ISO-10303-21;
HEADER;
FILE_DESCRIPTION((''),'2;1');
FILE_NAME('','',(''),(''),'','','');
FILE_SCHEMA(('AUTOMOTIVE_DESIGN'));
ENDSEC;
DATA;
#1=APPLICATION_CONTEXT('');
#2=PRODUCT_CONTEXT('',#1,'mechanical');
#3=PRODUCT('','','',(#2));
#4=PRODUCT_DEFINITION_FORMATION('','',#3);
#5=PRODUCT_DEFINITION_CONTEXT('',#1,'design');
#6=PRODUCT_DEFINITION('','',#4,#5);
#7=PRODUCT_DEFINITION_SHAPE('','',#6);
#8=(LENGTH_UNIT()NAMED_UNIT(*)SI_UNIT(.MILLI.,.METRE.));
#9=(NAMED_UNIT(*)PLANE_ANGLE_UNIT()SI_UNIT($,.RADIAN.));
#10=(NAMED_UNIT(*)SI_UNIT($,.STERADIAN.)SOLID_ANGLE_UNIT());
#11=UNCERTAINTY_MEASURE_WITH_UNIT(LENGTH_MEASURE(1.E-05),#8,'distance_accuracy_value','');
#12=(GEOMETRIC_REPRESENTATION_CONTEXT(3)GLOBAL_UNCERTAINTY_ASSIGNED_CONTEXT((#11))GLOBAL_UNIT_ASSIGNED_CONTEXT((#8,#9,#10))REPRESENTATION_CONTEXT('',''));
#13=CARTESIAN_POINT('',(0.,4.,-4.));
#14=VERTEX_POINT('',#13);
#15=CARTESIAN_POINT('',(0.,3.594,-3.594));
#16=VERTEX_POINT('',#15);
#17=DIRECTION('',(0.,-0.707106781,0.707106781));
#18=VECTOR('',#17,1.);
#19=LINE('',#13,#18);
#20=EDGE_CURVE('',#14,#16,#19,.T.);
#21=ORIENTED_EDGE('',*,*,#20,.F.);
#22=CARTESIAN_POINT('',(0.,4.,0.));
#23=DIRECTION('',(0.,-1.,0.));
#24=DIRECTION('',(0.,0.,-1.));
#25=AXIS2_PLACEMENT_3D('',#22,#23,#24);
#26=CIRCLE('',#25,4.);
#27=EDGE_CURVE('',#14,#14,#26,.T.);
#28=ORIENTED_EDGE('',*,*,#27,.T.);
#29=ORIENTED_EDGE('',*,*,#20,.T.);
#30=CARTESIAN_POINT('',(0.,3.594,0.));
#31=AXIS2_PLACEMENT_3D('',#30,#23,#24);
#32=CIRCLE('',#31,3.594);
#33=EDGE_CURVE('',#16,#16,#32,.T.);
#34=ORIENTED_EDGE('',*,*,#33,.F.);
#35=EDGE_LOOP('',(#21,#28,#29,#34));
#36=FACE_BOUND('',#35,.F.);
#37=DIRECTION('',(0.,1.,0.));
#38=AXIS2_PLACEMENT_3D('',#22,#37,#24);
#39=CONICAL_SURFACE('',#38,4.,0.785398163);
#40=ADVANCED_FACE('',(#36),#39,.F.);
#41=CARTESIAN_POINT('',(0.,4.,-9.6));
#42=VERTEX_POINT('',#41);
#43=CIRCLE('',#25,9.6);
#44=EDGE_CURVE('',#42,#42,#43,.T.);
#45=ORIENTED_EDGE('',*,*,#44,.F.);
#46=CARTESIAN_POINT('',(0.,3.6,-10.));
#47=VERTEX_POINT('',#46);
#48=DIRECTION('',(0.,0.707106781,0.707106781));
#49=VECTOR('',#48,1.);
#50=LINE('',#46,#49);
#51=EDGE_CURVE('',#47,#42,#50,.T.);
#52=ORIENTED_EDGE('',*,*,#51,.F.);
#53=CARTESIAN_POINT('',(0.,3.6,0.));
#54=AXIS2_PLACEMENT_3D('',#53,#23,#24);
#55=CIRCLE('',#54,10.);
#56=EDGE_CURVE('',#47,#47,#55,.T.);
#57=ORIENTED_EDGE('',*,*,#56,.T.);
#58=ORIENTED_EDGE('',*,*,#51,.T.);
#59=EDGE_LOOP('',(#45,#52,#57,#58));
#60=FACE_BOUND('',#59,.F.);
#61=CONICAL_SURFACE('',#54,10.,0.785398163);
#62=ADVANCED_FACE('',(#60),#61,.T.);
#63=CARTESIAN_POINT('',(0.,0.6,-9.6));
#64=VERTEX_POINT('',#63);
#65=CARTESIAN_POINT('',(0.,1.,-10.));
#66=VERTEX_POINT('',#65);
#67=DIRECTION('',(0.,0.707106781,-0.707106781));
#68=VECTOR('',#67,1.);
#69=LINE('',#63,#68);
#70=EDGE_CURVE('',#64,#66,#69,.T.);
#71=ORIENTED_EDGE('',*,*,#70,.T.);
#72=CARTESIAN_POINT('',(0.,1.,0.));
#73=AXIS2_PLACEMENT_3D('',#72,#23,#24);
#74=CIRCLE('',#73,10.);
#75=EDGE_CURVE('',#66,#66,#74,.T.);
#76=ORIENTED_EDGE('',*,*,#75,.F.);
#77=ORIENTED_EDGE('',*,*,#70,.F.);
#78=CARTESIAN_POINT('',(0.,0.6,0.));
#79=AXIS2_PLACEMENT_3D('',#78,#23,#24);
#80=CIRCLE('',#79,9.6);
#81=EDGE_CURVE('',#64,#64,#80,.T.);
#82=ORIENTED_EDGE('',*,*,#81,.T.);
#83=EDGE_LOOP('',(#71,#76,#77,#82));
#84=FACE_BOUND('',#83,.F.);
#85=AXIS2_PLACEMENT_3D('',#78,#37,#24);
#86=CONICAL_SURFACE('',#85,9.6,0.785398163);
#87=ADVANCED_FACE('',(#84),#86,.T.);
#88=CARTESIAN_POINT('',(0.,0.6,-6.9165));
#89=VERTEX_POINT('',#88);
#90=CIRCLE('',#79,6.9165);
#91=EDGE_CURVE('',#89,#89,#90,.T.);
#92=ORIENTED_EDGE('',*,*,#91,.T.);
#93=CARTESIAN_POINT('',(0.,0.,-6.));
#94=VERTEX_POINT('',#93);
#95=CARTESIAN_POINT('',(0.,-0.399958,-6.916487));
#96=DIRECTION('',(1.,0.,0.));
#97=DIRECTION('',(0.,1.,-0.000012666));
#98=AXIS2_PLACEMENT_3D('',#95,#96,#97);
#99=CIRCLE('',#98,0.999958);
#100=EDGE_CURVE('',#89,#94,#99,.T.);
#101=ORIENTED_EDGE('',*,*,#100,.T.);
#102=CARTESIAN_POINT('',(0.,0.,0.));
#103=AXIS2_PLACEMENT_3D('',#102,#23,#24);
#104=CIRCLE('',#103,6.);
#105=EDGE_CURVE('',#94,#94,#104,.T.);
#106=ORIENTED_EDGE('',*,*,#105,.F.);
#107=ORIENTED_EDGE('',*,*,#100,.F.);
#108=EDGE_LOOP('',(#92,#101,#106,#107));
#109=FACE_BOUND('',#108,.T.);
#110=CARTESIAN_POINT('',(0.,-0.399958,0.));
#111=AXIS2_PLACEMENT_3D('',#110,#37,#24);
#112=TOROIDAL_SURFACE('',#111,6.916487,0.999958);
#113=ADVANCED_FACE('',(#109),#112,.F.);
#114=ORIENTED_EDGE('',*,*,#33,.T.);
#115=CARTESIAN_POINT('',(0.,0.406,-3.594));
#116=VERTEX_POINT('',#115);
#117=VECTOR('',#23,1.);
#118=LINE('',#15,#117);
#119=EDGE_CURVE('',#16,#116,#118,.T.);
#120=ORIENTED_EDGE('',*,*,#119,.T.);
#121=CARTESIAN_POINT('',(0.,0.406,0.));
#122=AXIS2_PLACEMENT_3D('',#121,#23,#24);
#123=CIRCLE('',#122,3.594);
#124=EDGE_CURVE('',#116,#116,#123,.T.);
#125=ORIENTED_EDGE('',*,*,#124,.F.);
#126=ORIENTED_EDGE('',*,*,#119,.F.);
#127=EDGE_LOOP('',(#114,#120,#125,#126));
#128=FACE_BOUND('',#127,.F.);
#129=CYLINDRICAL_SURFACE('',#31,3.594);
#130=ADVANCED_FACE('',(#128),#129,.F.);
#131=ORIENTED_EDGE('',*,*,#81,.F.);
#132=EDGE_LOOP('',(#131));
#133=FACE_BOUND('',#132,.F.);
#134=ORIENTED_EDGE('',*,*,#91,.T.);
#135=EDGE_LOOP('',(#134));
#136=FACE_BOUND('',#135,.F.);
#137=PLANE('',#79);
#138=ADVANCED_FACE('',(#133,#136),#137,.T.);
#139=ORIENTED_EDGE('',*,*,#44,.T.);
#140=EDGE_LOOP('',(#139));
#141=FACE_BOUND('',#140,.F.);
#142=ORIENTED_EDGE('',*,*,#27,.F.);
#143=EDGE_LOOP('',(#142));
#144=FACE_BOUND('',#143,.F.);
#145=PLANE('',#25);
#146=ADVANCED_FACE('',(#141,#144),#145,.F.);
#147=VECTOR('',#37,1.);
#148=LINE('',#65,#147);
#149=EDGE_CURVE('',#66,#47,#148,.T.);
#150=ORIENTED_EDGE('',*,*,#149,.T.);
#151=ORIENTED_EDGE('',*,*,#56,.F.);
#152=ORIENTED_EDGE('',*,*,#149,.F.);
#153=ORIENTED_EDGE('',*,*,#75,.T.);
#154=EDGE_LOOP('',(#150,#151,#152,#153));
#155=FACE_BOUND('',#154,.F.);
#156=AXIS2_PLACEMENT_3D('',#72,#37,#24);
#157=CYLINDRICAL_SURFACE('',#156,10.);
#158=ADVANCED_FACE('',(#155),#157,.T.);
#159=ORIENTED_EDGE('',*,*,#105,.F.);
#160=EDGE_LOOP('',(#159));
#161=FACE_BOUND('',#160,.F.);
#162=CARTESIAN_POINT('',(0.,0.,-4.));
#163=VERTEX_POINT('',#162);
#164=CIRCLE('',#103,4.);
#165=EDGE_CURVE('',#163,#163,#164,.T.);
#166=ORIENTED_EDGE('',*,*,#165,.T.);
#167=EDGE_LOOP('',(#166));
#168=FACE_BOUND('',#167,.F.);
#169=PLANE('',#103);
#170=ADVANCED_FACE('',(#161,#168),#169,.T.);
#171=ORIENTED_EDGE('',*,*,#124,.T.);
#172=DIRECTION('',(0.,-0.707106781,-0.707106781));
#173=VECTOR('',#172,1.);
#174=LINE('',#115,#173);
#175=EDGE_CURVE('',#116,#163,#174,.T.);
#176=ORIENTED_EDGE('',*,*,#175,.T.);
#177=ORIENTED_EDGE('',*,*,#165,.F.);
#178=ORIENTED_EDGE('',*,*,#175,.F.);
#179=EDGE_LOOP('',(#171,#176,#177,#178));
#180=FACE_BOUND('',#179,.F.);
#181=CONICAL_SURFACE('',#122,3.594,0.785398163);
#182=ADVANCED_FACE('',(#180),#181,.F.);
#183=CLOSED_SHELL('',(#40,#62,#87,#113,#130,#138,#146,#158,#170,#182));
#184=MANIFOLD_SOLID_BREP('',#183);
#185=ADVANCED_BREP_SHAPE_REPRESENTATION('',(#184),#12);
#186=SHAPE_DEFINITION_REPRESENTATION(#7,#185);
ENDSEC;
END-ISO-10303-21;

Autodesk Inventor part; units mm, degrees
sketch "Sketch_1" plane through (0, 0, 0) normal (1, 0, 0) x (0, 1, 0)
  line L0 (0, 0) -> (4, 0)
  line L1 (0.406, -3.594) -> (0, -4)
  line L2 (0, -4) -> (0, -6)
  arc A0 (0.6, -6.9165) -> (0, -6) centre (-0.4, -6.9165) ccw
  line L3 (0.6, -6.9165) -> (0.6, -9.6)
  line L4 (0.6, -9.6) -> (1, -10)
  line L5 (1, -10) -> (3.6, -10)
  line L6 (3.6, -10) -> (4, -9.6)
  line L7 (4, -9.6) -> (4, -4)
  line L8 (4, -4) -> (3.594, -3.594)
  line L9 (3.594, -3.594) -> (0.406, -3.594)
revolve "Revolution1" add sketch "Sketch_1" angle 360 about axis through (0, 0, 0) along (0, -1, 0)
thread "Thread1" size "M8x0.75" class "6H" standard "ISO Metric profile" full length
ref_plane "ANBAU_XY" through (0, 0, 0) normal (0, 1, 0) x (1, 0, 0)
ref_plane "ANBAU_YZ" through (0, 0, 0) normal (1, 0, 0) x (0, 0, -1)
ref_plane "ANBAU_ZX" through (0, 0, 0) normal (0, 0, -1) x (0, 1, 0)
properties part number "209407 M8X0,75"
